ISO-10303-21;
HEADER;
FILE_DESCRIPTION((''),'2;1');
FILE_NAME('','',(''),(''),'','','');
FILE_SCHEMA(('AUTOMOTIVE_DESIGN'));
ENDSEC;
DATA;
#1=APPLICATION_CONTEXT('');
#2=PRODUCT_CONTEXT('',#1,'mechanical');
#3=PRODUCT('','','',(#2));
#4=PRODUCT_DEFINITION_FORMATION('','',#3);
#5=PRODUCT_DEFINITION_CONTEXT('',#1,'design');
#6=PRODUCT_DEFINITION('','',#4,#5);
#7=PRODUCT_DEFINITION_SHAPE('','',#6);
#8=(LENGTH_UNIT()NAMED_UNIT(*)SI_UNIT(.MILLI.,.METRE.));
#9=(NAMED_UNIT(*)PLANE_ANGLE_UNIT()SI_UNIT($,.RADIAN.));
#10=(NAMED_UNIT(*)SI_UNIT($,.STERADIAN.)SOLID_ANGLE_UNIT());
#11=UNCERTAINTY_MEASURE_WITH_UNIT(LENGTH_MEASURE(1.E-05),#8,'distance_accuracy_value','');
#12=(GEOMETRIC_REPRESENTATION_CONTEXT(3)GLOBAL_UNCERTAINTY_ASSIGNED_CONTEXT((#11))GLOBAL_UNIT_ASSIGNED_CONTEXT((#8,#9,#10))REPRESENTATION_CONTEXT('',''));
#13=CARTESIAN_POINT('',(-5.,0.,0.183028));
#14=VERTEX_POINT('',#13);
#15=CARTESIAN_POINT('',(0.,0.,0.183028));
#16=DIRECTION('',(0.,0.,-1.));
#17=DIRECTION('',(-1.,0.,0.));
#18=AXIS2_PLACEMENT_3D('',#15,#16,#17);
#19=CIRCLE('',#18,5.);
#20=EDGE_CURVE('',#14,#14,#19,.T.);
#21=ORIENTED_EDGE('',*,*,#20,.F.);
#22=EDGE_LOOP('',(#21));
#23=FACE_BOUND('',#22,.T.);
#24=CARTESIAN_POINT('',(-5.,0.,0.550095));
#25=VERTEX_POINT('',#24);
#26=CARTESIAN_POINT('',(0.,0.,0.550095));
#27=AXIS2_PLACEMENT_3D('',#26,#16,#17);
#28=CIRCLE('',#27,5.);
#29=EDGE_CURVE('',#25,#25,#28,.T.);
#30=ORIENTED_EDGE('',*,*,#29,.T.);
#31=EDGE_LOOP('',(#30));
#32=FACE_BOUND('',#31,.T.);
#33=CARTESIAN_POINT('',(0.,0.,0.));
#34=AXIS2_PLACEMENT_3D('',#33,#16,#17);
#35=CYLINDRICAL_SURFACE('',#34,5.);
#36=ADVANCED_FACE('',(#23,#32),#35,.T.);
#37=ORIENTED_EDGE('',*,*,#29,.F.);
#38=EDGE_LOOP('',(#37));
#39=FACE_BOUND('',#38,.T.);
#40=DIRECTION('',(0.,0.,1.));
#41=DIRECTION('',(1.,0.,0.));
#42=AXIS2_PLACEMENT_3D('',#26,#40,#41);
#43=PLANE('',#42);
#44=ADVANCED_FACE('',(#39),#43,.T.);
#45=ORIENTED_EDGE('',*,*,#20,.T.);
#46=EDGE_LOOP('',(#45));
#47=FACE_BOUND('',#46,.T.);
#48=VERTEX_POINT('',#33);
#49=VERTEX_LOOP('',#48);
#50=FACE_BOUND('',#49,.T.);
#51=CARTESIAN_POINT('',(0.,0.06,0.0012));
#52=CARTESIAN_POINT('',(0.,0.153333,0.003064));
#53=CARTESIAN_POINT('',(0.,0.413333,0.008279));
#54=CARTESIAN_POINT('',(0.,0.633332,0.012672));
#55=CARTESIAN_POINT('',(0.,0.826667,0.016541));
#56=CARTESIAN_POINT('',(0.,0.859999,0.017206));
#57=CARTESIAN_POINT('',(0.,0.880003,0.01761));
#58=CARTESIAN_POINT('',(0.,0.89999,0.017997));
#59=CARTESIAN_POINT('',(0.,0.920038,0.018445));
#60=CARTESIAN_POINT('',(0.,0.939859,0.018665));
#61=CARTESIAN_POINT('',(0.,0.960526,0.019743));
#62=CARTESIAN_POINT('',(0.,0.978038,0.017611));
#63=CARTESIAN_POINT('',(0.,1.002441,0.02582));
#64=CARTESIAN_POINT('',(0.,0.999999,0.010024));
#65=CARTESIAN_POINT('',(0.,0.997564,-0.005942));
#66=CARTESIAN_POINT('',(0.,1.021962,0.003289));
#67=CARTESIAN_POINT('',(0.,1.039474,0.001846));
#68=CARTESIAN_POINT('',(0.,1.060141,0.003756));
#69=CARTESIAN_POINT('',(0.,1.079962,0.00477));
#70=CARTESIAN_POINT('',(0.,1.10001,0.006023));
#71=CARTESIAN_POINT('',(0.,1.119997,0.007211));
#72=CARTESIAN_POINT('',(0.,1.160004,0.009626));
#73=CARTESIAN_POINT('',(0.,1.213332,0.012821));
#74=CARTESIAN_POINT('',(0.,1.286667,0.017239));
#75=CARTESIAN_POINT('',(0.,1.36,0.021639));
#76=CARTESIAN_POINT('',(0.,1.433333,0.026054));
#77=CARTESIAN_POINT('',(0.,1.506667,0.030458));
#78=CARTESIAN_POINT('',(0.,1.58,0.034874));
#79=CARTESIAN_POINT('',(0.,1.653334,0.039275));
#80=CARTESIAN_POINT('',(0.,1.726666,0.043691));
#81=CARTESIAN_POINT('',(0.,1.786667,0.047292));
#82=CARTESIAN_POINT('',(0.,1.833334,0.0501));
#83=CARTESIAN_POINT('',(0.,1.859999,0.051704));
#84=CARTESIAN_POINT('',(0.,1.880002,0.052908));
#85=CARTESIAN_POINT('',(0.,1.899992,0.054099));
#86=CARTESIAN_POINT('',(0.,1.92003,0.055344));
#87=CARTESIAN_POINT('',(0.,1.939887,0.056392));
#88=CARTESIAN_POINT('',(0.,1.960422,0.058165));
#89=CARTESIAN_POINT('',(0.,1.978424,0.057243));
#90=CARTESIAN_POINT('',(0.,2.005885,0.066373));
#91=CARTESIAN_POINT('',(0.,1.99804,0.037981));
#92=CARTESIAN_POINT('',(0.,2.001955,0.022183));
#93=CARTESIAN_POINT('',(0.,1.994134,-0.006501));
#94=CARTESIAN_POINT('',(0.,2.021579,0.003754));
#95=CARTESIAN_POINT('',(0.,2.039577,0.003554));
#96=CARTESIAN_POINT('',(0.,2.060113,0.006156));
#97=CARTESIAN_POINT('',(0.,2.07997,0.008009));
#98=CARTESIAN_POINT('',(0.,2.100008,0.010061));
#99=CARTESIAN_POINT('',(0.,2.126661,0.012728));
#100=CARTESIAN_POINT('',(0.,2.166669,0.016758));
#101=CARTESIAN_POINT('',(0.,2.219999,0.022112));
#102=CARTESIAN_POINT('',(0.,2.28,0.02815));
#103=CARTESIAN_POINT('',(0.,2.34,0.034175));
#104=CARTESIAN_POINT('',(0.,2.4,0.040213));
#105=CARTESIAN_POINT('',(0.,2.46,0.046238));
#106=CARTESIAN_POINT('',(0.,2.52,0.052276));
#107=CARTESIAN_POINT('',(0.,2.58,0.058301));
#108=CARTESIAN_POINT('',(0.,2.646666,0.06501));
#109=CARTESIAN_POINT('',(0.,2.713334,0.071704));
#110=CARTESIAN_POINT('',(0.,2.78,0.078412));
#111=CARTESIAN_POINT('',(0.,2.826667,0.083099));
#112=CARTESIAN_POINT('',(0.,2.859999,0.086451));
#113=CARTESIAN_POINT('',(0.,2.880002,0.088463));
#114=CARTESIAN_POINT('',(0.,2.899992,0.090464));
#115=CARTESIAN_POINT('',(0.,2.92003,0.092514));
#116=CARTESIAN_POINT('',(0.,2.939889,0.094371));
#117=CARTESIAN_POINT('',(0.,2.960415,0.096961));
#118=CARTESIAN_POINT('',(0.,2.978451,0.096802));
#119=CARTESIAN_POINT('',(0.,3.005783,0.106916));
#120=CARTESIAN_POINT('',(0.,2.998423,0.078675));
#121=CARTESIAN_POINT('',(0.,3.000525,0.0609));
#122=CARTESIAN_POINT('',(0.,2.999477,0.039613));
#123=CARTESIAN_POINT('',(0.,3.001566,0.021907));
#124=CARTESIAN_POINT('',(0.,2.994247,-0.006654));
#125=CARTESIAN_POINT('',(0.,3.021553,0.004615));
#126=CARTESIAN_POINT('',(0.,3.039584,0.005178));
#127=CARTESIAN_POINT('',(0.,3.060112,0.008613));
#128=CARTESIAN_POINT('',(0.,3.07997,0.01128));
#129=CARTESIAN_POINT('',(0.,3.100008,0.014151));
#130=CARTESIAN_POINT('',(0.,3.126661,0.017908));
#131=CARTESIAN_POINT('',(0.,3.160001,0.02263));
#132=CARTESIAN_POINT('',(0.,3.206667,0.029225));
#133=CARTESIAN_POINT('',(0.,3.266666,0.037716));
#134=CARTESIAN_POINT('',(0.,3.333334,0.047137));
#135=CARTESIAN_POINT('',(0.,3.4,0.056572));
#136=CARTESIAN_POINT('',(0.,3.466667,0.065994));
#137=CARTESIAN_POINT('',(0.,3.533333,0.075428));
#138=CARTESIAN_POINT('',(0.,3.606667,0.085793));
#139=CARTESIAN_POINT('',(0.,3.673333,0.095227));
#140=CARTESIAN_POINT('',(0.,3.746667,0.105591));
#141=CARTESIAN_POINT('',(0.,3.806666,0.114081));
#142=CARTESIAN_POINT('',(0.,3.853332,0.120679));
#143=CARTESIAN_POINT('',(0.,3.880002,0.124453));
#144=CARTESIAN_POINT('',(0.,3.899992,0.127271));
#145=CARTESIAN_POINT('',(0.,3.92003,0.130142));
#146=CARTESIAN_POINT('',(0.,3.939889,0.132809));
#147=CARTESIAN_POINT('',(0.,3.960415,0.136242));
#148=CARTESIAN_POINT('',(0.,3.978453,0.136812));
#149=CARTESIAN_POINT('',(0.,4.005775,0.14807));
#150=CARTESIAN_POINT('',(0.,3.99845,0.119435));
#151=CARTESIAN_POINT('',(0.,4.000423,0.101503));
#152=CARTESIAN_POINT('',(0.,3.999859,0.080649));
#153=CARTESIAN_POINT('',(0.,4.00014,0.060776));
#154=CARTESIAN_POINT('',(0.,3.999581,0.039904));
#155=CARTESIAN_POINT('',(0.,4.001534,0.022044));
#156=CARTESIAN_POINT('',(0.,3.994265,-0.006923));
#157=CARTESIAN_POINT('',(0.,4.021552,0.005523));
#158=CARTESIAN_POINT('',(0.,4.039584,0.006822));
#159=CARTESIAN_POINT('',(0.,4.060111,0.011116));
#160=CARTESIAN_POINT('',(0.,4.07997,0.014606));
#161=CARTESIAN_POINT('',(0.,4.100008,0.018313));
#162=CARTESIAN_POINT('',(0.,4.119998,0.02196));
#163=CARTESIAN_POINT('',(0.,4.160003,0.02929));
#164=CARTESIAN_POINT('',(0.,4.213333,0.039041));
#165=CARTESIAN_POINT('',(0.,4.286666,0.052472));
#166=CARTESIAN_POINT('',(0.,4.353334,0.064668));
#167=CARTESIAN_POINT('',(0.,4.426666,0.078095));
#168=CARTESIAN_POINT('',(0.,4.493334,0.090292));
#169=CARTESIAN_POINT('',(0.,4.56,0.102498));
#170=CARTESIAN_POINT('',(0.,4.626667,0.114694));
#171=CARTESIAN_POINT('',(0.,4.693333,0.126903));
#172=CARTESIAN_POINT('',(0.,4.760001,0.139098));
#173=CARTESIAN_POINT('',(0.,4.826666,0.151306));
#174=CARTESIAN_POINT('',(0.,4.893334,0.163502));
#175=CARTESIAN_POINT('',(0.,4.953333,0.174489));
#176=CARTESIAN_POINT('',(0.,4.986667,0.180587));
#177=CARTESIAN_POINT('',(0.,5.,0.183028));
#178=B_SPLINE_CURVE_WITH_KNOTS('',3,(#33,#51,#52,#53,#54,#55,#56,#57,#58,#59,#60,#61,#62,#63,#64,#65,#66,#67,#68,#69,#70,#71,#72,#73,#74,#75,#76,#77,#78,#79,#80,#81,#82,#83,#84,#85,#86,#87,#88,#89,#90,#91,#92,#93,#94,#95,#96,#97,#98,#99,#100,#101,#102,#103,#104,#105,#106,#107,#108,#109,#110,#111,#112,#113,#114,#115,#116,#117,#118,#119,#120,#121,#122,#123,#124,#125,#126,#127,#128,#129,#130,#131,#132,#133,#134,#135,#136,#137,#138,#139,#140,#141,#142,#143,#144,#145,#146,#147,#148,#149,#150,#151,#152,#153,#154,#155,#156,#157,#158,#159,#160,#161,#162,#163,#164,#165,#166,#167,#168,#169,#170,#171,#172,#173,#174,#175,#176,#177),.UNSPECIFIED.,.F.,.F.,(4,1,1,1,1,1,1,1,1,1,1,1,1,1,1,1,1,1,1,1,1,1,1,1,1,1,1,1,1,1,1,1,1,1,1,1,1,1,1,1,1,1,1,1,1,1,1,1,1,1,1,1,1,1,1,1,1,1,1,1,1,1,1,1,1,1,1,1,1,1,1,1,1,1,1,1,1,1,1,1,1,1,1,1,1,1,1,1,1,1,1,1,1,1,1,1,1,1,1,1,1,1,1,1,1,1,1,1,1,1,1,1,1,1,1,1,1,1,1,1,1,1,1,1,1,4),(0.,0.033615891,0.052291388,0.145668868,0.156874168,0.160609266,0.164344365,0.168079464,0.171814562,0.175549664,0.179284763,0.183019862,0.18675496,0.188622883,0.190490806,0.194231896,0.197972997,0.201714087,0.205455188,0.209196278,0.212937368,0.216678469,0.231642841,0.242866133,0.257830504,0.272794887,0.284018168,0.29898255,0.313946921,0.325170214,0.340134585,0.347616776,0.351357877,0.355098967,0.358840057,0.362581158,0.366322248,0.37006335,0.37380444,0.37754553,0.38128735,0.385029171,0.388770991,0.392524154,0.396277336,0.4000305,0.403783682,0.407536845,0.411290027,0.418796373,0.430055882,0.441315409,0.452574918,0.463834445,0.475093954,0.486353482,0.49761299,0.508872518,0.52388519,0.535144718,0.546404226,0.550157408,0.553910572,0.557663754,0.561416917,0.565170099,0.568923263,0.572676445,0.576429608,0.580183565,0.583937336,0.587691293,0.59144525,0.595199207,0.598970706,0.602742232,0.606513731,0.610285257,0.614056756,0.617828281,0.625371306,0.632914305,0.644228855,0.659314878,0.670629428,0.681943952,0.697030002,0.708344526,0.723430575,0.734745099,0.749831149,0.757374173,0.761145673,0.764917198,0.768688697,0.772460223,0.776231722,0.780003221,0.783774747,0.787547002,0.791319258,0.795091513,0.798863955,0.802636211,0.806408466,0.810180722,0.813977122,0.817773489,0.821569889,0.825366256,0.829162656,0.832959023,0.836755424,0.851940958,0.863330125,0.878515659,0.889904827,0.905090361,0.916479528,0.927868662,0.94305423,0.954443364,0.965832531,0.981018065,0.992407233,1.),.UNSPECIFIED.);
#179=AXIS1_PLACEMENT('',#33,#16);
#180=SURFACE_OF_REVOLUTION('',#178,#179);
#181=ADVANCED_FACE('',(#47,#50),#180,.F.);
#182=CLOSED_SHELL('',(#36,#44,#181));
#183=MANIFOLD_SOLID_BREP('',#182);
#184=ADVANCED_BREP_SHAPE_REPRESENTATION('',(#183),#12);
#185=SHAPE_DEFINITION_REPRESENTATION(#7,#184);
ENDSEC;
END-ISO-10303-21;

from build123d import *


with BuildPart() as part:
    # 草图2 → 旋转6 (revolve)
    with BuildSketch(Plane(origin=(0, 0, 0), x_dir=(0, 0, -1), z_dir=(1, 0, 0)), mode=Mode.PRIVATE) as revolve_6_sk:
        with BuildLine():
            Line((0, 0), (-0.550094867, 0))
            Line((-0.550094867, 0), (-0.550094867, 5))
            Line((-0.550094867, 5), (-0.183028, 5))
            add(Edge.make_bspline(
                [(0, 0), (-0.001199927, 0.060000008), (-0.003063581, 0.153333415), (-0.008278681, 0.413333153), (-0.012672391, 0.633331638), (-0.016540967, 0.826667472), (-0.017206294, 0.859999273), (-0.017609725, 0.88000271), (-0.017996805, 0.899989886), (-0.018445055, 0.920037752), (-0.018664976, 0.939859146), (-0.019743038, 0.960525622), (-0.01761087, 0.978038361), (-0.025820041, 1.002441483), (-0.010023601, 0.999998683), (0.005942427, 0.997564469), (-0.003289483, 1.021962323), (-0.001846017, 1.039474162), (-0.003756449, 1.060140933), (-0.004770196, 1.079962208), (-0.006022762, 1.100010115), (-0.007210755, 1.119997331), (-0.009625694, 1.160004027), (-0.012820531, 1.213332178), (-0.017238751, 1.28666695), (-0.021638854, 1.360000063), (-0.026054139, 1.43333325), (-0.03045808, 1.506666825), (-0.034873585, 1.579999771), (-0.039275085, 1.653333547), (-0.043691169, 1.726666437), (-0.047291985, 1.786666905), (-0.050099705, 1.8333338), (-0.051703741, 1.859999375), (-0.052908314, 1.880002177), (-0.054099002, 1.899991915), (-0.055343684, 1.920030281), (-0.056392256, 1.939886862), (-0.0581653, 1.960422372), (-0.057242542, 1.978423535), (-0.066373126, 2.005885256), (-0.037980567, 1.99803991), (-0.022182758, 2.001954594), (0.006500554, 1.994133819), (-0.00375424, 2.021579333), (-0.003553994, 2.03957676), (-0.006155774, 2.060113468), (-0.008008927, 2.079969536), (-0.010060502, 2.100008224), (-0.012727944, 2.126660929), (-0.016757891, 2.166669027), (-0.022111624, 2.219999464), (-0.028150013, 2.279999923), (-0.034175091, 2.340000252), (-0.040212879, 2.399999698), (-0.046238129, 2.460000316), (-0.052275869, 2.51999968), (-0.058301133, 2.580000321), (-0.065009669, 2.646666265), (-0.071703616, 2.713333707), (-0.07841176, 2.779999672), (-0.083098891, 2.826667487), (-0.086450858, 2.859999344), (-0.088462874, 2.880002222), (-0.090463663, 2.899991933), (-0.092514456, 2.920029882), (-0.094370529, 2.939888706), (-0.09696141, 2.960415125), (-0.096801841, 2.978450953), (-0.106915881, 3.005782754), (-0.078674616, 2.998423034), (-0.06090004, 3.000524932), (-0.039613251, 2.999477265), (-0.021906602, 3.00156599), (0.006654079, 2.994247393), (-0.004615306, 3.021552877), (-0.005178449, 3.039583825), (-0.008612874, 3.060111599), (-0.01128009, 3.079970013), (-0.014150735, 3.100008119), (-0.017908433, 3.126660979), (-0.02262983, 3.160000983), (-0.029224581, 3.206666515), (-0.037716341, 3.266666371), (-0.047136974, 3.333333788), (-0.056571746, 3.399999582), (-0.065993555, 3.466667147), (-0.07542833, 3.533332864), (-0.085792646, 3.60666714), (-0.095227312, 3.673332865), (-0.105591465, 3.746667165), (-0.114081404, 3.806666207), (-0.120679393, 3.853331703), (-0.124452988, 3.880002251), (-0.12727129, 3.899991912), (-0.130141817, 3.920029872), (-0.132809473, 3.939888832), (-0.136242249, 3.960414519), (-0.136811526, 3.978453086), (-0.14807047, 4.005775265), (-0.119434696, 3.998450431), (-0.101502897, 4.000422536), (-0.08064937, 3.999859414), (-0.060775598, 4.000139788), (-0.039904264, 3.999581457), (-0.022043691, 4.001534395), (0.006922697, 3.994265488), (-0.005523341, 4.021551951), (-0.006821638, 4.039584261), (-0.011116149, 4.060111288), (-0.014605709, 4.079970288), (-0.018313068, 4.100007854), (-0.021959965, 4.119998002), (-0.029290301, 4.160002923), (-0.039041439, 4.21333284), (-0.052471972, 4.286666437), (-0.064667839, 4.353333604), (-0.07809505, 4.426666155), (-0.090292069, 4.493333675), (-0.102498344, 4.559999513), (-0.114693948, 4.626667346), (-0.126902919, 4.693332677), (-0.139098309, 4.760000553), (-0.151306393, 4.826666046), (-0.163501715, 4.893333935), (-0.174488748, 4.953332952), (-0.180587108, 4.986666769), (-0.183028, 5)],
                knots=[0, 0, 0, 0, 0.033615891, 0.052291388, 0.145668868, 0.156874168, 0.160609266, 0.164344365, 0.168079464, 0.171814562, 0.175549664, 0.179284763, 0.183019862, 0.18675496, 0.188622883, 0.190490806, 0.194231896, 0.197972997, 0.201714087, 0.205455188, 0.209196278, 0.212937368, 0.216678469, 0.231642841, 0.242866133, 0.257830504, 0.272794887, 0.284018168, 0.29898255, 0.313946921, 0.325170214, 0.340134585, 0.347616776, 0.351357877, 0.355098967, 0.358840057, 0.362581158, 0.366322248, 0.37006335, 0.37380444, 0.37754553, 0.38128735, 0.385029171, 0.388770991, 0.392524154, 0.396277336, 0.4000305, 0.403783682, 0.407536845, 0.411290027, 0.418796373, 0.430055882, 0.441315409, 0.452574918, 0.463834445, 0.475093954, 0.486353482, 0.49761299, 0.508872518, 0.52388519, 0.535144718, 0.546404226, 0.550157408, 0.553910572, 0.557663754, 0.561416917, 0.565170099, 0.568923263, 0.572676445, 0.576429608, 0.580183565, 0.583937336, 0.587691293, 0.59144525, 0.595199207, 0.598970706, 0.602742232, 0.606513731, 0.610285257, 0.614056756, 0.617828281, 0.625371306, 0.632914305, 0.644228855, 0.659314878, 0.670629428, 0.681943952, 0.697030002, 0.708344526, 0.723430575, 0.734745099, 0.749831149, 0.757374173, 0.761145673, 0.764917198, 0.768688697, 0.772460223, 0.776231722, 0.780003221, 0.783774747, 0.787547002, 0.791319258, 0.795091513, 0.798863955, 0.802636211, 0.806408466, 0.810180722, 0.813977122, 0.817773489, 0.821569889, 0.825366256, 0.829162656, 0.832959023, 0.836755424, 0.851940958, 0.863330125, 0.878515659, 0.889904827, 0.905090361, 0.916479528, 0.927868662, 0.94305423, 0.954443364, 0.965832531, 0.981018065, 0.992407233, 1, 1, 1, 1], degree=3))
        make_face()
    revolve(revolve_6_sk.sketch.rotate(Axis((0, 0, 0), (0, 0, 1)), 90), axis=Axis((0, 0, 0), (0, 0, 1)))


solid = part.part
